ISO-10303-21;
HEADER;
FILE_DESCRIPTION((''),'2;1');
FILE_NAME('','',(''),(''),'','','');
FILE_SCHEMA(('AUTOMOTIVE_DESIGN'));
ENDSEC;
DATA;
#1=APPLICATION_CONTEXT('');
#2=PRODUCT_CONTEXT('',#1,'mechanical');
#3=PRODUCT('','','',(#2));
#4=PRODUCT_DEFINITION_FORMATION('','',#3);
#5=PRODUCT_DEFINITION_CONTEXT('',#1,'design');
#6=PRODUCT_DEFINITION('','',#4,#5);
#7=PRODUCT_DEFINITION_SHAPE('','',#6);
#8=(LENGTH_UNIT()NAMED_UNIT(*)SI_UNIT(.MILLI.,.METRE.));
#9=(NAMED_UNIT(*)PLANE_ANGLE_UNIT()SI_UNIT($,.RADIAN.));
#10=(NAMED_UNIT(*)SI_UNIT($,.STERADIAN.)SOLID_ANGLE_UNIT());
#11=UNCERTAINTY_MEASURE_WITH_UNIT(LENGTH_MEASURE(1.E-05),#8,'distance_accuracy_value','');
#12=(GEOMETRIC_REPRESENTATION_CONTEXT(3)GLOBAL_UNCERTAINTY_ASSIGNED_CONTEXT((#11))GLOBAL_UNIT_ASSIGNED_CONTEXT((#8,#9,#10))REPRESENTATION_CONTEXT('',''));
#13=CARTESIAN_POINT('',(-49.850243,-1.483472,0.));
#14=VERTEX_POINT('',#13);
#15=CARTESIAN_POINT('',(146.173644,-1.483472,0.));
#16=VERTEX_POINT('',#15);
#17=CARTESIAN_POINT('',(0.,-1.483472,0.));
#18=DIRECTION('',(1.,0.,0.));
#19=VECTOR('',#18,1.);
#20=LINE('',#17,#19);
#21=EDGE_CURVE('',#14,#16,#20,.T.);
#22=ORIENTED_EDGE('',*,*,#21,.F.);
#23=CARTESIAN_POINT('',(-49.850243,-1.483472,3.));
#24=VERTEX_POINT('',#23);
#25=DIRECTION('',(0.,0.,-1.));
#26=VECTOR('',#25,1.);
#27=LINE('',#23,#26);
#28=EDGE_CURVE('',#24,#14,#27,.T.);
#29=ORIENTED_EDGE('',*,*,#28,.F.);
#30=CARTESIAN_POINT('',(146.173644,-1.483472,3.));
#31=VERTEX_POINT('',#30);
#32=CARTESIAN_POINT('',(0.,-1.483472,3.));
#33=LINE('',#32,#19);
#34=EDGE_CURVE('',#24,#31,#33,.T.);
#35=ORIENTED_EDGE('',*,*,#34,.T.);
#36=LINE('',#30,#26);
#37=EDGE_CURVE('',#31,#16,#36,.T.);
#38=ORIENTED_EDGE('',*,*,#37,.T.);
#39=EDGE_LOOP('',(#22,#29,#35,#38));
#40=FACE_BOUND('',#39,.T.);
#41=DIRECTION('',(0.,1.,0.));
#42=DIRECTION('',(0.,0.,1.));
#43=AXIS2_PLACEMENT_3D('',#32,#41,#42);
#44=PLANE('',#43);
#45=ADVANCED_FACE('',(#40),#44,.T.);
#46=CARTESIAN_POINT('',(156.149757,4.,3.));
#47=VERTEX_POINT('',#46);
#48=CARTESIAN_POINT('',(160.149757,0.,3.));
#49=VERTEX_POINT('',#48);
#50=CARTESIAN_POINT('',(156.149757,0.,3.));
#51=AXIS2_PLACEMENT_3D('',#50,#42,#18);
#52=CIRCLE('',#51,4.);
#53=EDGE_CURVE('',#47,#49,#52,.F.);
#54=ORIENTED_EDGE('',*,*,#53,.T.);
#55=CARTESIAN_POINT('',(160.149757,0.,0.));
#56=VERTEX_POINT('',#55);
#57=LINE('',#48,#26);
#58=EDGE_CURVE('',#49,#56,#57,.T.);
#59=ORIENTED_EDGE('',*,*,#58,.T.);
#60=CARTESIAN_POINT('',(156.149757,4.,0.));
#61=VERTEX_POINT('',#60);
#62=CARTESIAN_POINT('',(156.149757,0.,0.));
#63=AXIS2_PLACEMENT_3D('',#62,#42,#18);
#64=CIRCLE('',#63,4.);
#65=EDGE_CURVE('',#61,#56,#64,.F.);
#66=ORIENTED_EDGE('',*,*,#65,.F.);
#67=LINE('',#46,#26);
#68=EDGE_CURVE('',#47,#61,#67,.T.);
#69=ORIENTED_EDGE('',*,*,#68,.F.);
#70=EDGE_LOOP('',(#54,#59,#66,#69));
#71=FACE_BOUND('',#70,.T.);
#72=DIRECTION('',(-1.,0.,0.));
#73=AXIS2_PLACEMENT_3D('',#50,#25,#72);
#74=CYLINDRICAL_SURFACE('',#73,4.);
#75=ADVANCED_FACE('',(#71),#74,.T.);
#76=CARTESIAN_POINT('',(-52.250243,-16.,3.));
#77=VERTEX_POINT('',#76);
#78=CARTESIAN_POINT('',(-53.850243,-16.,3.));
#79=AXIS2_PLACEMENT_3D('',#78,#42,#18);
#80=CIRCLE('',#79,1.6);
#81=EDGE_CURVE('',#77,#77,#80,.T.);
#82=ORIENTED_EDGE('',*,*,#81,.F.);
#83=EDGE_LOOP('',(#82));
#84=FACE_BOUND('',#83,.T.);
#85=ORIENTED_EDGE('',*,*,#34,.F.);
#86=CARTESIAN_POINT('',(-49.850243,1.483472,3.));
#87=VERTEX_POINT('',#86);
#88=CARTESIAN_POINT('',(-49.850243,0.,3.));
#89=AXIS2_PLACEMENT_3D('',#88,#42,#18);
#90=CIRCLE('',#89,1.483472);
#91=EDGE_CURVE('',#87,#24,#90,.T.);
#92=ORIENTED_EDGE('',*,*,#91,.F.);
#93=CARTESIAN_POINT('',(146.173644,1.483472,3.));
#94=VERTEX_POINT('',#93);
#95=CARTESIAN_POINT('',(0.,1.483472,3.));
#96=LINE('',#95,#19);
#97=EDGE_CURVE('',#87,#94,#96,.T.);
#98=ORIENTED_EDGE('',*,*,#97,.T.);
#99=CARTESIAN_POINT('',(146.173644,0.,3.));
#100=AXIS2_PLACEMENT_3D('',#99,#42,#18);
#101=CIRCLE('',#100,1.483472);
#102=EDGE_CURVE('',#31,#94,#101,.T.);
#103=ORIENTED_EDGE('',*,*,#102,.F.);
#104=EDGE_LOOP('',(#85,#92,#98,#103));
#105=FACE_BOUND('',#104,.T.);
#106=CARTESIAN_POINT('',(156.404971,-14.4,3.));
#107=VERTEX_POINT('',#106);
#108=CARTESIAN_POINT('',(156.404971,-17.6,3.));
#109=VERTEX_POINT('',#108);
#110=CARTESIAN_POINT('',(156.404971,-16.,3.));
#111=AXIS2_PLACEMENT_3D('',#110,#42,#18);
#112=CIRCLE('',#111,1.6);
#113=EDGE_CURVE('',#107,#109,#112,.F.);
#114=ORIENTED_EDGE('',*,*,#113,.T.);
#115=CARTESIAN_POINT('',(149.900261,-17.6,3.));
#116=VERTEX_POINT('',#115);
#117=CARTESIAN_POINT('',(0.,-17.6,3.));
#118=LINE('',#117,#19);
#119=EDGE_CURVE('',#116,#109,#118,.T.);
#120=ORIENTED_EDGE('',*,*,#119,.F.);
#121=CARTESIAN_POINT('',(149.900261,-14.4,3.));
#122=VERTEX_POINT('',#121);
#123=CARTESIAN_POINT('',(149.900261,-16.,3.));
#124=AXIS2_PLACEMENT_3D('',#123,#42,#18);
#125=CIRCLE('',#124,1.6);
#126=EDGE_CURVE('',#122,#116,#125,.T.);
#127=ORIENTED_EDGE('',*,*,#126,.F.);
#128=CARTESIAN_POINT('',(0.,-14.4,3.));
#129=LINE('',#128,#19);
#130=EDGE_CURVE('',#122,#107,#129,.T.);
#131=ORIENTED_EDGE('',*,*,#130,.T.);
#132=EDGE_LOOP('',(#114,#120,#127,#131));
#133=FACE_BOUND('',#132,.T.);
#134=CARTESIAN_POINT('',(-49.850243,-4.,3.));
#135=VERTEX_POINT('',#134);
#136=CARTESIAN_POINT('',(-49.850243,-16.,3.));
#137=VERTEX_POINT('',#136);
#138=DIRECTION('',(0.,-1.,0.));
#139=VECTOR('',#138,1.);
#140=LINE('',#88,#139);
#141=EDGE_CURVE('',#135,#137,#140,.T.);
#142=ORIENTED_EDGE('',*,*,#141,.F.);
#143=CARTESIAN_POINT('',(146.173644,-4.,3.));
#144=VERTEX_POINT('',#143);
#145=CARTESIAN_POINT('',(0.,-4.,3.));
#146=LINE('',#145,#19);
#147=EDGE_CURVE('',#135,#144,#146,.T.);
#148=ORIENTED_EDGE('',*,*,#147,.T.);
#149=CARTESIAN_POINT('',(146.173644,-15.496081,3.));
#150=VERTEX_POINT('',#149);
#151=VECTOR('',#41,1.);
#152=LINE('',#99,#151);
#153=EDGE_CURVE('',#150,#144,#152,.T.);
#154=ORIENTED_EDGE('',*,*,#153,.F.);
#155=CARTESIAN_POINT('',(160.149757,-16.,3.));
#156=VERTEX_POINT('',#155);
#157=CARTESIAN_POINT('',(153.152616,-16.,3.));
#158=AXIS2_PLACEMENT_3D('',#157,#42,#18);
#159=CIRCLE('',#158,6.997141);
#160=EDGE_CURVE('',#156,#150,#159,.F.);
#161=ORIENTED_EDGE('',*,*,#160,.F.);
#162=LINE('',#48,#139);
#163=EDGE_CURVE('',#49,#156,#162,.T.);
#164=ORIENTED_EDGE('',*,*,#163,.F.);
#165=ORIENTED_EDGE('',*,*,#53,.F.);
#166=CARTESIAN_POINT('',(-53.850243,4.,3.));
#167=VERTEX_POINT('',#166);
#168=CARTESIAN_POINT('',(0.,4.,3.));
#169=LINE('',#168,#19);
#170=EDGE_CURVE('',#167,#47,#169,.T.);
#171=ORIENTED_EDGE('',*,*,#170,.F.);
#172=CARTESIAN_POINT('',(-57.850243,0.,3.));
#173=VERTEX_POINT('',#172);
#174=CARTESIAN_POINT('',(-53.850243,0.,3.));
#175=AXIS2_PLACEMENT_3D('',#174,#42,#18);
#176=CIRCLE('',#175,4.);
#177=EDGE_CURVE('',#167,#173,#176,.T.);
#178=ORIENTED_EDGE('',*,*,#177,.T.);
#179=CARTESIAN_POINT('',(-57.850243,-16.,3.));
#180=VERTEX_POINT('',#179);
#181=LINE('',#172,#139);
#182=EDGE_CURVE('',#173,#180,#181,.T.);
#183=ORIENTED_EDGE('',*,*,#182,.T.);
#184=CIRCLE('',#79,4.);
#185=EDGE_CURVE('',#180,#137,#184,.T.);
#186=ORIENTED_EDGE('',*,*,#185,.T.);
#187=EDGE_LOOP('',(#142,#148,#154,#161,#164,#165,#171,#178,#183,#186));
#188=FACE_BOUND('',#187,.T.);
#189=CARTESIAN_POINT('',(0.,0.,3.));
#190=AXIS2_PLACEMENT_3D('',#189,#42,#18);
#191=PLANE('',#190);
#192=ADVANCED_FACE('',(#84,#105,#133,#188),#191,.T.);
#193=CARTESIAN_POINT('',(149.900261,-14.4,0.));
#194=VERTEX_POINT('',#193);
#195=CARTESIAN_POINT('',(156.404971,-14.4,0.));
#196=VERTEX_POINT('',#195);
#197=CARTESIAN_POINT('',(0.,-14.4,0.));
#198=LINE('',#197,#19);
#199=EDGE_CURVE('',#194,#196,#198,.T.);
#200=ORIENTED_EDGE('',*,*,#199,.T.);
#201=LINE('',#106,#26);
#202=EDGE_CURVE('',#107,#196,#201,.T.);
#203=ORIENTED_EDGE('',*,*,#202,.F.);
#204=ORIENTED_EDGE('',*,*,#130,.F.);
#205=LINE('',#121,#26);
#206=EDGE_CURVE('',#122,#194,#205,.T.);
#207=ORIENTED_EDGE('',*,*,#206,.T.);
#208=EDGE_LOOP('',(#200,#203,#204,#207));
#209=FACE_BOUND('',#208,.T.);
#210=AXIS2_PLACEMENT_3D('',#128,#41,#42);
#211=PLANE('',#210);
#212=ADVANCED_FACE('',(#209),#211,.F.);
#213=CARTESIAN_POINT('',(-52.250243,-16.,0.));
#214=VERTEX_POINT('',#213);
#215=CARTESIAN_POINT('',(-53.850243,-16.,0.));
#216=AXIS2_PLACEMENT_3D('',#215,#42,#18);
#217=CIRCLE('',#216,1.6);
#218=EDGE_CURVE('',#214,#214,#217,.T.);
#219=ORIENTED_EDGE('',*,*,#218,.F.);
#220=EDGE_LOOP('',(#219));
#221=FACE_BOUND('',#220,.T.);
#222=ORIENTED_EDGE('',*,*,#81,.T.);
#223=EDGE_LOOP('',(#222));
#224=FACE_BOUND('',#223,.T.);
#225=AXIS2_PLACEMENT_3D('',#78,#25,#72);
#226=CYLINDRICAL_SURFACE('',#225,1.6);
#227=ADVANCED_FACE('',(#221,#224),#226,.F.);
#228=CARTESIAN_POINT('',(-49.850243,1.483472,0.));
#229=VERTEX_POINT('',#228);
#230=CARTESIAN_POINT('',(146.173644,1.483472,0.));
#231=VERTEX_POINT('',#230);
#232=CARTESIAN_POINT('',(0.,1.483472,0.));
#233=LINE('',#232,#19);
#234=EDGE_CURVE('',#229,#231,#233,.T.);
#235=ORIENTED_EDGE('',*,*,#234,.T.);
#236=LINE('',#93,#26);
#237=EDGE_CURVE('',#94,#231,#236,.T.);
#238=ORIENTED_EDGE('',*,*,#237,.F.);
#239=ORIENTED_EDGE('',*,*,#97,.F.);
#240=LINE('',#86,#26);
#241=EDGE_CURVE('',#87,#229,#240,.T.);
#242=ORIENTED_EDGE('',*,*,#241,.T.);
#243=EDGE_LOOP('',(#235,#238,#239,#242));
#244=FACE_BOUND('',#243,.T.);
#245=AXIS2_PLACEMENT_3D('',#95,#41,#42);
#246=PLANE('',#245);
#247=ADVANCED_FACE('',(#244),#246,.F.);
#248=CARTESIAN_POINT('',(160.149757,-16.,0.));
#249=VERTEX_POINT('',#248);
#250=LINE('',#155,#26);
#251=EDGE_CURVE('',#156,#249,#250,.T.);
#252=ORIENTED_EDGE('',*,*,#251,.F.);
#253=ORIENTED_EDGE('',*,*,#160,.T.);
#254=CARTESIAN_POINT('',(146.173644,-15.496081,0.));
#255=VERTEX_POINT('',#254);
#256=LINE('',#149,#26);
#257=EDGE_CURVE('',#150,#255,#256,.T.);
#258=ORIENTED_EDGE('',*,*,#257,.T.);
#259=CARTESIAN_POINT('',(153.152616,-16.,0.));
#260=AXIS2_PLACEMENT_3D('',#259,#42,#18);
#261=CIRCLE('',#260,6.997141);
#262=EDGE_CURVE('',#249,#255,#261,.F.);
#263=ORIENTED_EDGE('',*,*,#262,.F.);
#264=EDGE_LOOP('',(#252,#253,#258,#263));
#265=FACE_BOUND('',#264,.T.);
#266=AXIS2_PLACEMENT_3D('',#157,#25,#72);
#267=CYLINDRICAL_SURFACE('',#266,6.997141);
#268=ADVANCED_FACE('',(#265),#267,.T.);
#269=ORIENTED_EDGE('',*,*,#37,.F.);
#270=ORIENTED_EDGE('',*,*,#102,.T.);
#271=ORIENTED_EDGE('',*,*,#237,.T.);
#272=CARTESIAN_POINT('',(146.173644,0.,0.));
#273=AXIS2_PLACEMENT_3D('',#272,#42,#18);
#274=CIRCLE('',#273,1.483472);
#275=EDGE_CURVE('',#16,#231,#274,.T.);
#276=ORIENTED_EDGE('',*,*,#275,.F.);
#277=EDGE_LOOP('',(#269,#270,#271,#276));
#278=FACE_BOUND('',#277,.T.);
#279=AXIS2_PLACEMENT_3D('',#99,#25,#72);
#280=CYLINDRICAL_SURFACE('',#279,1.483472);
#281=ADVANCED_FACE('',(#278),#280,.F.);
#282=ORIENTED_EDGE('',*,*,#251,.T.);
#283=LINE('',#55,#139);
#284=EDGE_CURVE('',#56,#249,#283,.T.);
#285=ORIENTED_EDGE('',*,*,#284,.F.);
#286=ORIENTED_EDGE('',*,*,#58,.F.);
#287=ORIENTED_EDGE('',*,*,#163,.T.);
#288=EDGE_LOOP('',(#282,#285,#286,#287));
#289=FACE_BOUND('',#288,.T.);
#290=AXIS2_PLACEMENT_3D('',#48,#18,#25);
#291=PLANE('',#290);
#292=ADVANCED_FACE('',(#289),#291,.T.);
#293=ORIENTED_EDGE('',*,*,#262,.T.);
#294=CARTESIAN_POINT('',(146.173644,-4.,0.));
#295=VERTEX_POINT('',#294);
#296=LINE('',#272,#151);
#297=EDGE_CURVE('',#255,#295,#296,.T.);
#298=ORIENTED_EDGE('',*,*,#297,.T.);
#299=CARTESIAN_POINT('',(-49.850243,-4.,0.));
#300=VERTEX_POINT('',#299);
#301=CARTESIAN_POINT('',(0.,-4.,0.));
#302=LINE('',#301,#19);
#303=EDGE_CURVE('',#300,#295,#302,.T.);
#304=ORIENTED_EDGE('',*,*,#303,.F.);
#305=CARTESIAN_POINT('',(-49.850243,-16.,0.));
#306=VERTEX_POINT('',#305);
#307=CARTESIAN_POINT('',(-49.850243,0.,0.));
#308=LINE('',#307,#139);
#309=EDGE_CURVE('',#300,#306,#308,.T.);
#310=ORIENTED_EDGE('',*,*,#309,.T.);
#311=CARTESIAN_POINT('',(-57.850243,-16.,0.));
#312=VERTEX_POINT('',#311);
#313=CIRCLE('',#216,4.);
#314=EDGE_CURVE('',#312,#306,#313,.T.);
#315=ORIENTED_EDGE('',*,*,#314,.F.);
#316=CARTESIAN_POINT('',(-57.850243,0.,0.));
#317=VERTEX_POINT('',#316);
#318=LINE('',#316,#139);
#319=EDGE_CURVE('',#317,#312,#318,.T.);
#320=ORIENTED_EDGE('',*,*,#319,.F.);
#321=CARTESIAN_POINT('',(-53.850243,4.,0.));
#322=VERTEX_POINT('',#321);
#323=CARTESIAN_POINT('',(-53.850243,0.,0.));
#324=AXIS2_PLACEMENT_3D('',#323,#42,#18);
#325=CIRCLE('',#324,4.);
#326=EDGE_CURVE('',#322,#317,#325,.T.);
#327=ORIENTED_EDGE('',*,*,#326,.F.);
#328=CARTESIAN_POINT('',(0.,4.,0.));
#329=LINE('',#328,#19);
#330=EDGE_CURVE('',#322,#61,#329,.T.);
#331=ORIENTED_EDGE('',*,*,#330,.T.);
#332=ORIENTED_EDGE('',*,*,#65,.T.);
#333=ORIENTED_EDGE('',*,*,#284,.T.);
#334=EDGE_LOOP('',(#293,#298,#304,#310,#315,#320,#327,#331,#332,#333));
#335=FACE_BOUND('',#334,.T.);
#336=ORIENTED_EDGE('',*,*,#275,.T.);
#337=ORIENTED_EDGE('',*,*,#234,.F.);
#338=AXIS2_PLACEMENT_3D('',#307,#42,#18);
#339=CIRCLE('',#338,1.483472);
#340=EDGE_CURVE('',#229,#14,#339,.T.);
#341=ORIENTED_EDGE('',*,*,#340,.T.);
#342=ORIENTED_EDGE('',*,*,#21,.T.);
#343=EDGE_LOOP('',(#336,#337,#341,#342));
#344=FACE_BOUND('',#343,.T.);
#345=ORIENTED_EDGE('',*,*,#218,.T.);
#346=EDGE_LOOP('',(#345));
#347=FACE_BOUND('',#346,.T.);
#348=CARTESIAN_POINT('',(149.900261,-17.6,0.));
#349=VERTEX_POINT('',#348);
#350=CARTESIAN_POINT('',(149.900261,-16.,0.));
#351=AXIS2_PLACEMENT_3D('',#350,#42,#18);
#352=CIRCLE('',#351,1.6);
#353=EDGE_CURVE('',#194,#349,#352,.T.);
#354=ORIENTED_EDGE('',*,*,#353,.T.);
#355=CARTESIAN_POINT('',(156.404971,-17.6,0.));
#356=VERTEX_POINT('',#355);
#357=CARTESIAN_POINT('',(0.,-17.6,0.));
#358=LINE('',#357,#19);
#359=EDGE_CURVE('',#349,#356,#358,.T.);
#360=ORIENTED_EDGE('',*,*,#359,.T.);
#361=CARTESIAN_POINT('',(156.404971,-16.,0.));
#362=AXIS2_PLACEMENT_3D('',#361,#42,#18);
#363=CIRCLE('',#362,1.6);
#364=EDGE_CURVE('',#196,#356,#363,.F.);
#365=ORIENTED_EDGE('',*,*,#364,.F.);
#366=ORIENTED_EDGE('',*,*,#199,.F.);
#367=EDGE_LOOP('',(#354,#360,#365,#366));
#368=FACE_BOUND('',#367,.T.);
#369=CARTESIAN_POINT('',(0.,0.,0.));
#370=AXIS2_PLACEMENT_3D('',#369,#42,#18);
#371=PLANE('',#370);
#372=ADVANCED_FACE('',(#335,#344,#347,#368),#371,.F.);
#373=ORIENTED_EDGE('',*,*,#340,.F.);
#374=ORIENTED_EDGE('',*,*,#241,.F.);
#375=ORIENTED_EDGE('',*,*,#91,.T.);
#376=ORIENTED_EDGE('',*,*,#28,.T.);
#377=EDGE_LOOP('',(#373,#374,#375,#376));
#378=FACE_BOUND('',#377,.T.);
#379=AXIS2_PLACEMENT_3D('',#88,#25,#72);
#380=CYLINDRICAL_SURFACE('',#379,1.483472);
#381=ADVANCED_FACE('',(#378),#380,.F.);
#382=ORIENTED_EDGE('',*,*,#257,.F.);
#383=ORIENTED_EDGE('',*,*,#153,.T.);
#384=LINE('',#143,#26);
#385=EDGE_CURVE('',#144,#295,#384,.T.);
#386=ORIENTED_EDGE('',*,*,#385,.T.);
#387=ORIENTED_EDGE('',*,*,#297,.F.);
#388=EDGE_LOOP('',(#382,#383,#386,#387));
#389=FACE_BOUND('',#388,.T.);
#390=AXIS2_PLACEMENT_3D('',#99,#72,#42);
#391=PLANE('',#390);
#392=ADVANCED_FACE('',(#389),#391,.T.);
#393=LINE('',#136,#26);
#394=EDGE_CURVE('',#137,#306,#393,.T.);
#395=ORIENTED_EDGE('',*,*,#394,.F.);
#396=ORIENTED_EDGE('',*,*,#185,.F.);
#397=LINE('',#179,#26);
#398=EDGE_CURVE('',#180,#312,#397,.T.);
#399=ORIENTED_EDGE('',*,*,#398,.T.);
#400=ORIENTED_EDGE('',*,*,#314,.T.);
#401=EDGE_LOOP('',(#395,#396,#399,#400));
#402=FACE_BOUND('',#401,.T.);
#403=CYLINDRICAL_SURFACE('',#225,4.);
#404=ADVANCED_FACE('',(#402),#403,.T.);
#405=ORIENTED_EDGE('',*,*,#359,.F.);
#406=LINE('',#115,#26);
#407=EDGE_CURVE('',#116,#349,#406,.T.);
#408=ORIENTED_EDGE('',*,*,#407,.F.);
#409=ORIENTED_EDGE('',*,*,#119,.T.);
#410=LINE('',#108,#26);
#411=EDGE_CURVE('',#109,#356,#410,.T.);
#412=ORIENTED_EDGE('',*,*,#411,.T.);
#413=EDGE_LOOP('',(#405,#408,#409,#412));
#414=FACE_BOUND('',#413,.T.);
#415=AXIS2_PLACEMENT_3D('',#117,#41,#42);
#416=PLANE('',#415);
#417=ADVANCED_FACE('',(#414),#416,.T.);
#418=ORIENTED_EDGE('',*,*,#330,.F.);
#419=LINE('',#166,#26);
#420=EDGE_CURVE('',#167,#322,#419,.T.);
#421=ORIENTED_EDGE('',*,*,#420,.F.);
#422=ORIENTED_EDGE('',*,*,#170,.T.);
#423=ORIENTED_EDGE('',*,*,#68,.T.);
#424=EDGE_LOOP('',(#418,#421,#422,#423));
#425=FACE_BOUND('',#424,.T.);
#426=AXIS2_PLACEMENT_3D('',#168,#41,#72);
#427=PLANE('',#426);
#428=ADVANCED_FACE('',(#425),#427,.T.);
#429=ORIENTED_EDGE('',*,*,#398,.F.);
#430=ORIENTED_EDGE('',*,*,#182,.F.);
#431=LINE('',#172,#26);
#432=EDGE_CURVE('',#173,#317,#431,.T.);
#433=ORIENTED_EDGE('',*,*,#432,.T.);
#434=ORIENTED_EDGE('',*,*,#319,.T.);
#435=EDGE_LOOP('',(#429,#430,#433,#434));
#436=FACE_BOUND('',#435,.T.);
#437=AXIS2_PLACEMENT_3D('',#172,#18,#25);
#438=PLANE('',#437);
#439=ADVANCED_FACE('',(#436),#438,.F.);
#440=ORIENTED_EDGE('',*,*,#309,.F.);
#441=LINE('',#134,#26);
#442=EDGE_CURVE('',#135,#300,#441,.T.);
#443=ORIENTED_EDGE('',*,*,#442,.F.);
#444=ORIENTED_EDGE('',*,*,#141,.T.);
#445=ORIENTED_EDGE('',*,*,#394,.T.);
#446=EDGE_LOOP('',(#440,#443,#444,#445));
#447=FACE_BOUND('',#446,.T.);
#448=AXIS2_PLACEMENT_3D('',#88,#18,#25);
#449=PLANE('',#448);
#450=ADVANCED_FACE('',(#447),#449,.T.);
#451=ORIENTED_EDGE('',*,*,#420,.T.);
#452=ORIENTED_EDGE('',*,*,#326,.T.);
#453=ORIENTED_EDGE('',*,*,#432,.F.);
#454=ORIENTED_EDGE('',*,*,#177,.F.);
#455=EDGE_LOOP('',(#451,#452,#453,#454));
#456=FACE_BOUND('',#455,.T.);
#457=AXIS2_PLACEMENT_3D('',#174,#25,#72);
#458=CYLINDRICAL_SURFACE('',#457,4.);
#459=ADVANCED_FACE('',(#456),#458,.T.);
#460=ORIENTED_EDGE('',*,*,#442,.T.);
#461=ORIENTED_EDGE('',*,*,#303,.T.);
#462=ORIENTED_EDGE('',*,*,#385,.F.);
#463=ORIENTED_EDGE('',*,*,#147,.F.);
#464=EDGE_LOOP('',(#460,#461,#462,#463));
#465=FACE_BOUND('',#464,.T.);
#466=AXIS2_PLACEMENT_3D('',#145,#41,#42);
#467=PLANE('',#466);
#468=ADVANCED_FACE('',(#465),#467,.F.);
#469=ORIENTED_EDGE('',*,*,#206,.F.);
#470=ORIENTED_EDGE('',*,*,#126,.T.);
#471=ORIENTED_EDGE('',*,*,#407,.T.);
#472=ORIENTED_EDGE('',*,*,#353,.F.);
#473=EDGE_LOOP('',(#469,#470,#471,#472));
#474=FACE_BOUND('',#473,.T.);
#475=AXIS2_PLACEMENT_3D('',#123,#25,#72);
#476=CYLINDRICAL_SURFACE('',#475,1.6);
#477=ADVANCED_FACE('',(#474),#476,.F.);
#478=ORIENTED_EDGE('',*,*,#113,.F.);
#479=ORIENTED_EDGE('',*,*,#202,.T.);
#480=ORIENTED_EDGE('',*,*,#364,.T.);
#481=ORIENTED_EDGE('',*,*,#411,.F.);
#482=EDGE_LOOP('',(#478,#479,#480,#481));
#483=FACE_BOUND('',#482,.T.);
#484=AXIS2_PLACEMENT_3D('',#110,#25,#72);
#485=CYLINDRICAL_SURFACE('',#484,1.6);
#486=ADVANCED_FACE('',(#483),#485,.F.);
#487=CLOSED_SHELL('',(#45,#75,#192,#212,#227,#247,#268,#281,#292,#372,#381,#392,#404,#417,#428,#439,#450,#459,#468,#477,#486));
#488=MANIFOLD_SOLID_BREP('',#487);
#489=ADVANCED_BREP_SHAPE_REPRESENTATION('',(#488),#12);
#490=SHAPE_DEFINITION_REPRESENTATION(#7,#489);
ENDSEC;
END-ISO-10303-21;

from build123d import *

# Parameters (mm, degrees)
SKETCH_1_R      = 1.6
EXTRUDE_1_DEPTH = 3


with BuildPart() as part:
    # 草图1 → 凸台-拉伸1 (new body)
    with BuildSketch(Plane.XY):
        with BuildLine():
            Line((-53.850242828, 4), (156.149757172, 4))
            ThreePointArc((156.149757172, 4), (158.978184297, 2.828427125), (160.149757172, 0))
            Line((160.149757172, 0), (160.149757172, -16))
            ThreePointArc((160.149757172, -16), (152.900492864, -22.992597394), (146.173644012, -15.496081147))
            Line((146.173644012, -15.496081147), (146.173644012, -4))
            Line((146.173644012, -4), (-49.850242828, -4))
            Line((-49.850242828, -4), (-49.850242828, -16))
            ThreePointArc((-49.850242828, -16), (-53.850242828, -20), (-57.850242828, -16))
            Line((-57.850242828, -16), (-57.850242828, 0))
            ThreePointArc((-57.850242828, 0), (-56.678669953, 2.828427125), (-53.850242828, 4))
        make_face()
        with Locations((-53.850242828, -16)):
            Circle(SKETCH_1_R, mode=Mode.SUBTRACT)
        with BuildLine():
            Line((-49.850242828, 1.483471582), (146.173644012, 1.483471582))
            ThreePointArc((146.173644012, 1.483471582), (147.657115594, 0), (146.173644012, -1.483471582))
            Line((146.173644012, -1.483471582), (-49.850242828, -1.483471582))
            ThreePointArc((-49.850242828, -1.483471582), (-51.33371441, 0), (-49.850242828, 1.483471582))
        make_face(mode=Mode.SUBTRACT)
        with BuildLine():
            Line((149.900261056, -14.4), (156.40497097, -14.4))
            ThreePointArc((156.40497097, -14.4), (158.00497097, -16), (156.40497097, -17.6))
            Line((156.40497097, -17.6), (149.900261056, -17.6))
            ThreePointArc((149.900261056, -17.6), (148.300261056, -16), (149.900261056, -14.4))
        make_face(mode=Mode.SUBTRACT)
    extrude(amount=EXTRUDE_1_DEPTH)


solid = part.part
